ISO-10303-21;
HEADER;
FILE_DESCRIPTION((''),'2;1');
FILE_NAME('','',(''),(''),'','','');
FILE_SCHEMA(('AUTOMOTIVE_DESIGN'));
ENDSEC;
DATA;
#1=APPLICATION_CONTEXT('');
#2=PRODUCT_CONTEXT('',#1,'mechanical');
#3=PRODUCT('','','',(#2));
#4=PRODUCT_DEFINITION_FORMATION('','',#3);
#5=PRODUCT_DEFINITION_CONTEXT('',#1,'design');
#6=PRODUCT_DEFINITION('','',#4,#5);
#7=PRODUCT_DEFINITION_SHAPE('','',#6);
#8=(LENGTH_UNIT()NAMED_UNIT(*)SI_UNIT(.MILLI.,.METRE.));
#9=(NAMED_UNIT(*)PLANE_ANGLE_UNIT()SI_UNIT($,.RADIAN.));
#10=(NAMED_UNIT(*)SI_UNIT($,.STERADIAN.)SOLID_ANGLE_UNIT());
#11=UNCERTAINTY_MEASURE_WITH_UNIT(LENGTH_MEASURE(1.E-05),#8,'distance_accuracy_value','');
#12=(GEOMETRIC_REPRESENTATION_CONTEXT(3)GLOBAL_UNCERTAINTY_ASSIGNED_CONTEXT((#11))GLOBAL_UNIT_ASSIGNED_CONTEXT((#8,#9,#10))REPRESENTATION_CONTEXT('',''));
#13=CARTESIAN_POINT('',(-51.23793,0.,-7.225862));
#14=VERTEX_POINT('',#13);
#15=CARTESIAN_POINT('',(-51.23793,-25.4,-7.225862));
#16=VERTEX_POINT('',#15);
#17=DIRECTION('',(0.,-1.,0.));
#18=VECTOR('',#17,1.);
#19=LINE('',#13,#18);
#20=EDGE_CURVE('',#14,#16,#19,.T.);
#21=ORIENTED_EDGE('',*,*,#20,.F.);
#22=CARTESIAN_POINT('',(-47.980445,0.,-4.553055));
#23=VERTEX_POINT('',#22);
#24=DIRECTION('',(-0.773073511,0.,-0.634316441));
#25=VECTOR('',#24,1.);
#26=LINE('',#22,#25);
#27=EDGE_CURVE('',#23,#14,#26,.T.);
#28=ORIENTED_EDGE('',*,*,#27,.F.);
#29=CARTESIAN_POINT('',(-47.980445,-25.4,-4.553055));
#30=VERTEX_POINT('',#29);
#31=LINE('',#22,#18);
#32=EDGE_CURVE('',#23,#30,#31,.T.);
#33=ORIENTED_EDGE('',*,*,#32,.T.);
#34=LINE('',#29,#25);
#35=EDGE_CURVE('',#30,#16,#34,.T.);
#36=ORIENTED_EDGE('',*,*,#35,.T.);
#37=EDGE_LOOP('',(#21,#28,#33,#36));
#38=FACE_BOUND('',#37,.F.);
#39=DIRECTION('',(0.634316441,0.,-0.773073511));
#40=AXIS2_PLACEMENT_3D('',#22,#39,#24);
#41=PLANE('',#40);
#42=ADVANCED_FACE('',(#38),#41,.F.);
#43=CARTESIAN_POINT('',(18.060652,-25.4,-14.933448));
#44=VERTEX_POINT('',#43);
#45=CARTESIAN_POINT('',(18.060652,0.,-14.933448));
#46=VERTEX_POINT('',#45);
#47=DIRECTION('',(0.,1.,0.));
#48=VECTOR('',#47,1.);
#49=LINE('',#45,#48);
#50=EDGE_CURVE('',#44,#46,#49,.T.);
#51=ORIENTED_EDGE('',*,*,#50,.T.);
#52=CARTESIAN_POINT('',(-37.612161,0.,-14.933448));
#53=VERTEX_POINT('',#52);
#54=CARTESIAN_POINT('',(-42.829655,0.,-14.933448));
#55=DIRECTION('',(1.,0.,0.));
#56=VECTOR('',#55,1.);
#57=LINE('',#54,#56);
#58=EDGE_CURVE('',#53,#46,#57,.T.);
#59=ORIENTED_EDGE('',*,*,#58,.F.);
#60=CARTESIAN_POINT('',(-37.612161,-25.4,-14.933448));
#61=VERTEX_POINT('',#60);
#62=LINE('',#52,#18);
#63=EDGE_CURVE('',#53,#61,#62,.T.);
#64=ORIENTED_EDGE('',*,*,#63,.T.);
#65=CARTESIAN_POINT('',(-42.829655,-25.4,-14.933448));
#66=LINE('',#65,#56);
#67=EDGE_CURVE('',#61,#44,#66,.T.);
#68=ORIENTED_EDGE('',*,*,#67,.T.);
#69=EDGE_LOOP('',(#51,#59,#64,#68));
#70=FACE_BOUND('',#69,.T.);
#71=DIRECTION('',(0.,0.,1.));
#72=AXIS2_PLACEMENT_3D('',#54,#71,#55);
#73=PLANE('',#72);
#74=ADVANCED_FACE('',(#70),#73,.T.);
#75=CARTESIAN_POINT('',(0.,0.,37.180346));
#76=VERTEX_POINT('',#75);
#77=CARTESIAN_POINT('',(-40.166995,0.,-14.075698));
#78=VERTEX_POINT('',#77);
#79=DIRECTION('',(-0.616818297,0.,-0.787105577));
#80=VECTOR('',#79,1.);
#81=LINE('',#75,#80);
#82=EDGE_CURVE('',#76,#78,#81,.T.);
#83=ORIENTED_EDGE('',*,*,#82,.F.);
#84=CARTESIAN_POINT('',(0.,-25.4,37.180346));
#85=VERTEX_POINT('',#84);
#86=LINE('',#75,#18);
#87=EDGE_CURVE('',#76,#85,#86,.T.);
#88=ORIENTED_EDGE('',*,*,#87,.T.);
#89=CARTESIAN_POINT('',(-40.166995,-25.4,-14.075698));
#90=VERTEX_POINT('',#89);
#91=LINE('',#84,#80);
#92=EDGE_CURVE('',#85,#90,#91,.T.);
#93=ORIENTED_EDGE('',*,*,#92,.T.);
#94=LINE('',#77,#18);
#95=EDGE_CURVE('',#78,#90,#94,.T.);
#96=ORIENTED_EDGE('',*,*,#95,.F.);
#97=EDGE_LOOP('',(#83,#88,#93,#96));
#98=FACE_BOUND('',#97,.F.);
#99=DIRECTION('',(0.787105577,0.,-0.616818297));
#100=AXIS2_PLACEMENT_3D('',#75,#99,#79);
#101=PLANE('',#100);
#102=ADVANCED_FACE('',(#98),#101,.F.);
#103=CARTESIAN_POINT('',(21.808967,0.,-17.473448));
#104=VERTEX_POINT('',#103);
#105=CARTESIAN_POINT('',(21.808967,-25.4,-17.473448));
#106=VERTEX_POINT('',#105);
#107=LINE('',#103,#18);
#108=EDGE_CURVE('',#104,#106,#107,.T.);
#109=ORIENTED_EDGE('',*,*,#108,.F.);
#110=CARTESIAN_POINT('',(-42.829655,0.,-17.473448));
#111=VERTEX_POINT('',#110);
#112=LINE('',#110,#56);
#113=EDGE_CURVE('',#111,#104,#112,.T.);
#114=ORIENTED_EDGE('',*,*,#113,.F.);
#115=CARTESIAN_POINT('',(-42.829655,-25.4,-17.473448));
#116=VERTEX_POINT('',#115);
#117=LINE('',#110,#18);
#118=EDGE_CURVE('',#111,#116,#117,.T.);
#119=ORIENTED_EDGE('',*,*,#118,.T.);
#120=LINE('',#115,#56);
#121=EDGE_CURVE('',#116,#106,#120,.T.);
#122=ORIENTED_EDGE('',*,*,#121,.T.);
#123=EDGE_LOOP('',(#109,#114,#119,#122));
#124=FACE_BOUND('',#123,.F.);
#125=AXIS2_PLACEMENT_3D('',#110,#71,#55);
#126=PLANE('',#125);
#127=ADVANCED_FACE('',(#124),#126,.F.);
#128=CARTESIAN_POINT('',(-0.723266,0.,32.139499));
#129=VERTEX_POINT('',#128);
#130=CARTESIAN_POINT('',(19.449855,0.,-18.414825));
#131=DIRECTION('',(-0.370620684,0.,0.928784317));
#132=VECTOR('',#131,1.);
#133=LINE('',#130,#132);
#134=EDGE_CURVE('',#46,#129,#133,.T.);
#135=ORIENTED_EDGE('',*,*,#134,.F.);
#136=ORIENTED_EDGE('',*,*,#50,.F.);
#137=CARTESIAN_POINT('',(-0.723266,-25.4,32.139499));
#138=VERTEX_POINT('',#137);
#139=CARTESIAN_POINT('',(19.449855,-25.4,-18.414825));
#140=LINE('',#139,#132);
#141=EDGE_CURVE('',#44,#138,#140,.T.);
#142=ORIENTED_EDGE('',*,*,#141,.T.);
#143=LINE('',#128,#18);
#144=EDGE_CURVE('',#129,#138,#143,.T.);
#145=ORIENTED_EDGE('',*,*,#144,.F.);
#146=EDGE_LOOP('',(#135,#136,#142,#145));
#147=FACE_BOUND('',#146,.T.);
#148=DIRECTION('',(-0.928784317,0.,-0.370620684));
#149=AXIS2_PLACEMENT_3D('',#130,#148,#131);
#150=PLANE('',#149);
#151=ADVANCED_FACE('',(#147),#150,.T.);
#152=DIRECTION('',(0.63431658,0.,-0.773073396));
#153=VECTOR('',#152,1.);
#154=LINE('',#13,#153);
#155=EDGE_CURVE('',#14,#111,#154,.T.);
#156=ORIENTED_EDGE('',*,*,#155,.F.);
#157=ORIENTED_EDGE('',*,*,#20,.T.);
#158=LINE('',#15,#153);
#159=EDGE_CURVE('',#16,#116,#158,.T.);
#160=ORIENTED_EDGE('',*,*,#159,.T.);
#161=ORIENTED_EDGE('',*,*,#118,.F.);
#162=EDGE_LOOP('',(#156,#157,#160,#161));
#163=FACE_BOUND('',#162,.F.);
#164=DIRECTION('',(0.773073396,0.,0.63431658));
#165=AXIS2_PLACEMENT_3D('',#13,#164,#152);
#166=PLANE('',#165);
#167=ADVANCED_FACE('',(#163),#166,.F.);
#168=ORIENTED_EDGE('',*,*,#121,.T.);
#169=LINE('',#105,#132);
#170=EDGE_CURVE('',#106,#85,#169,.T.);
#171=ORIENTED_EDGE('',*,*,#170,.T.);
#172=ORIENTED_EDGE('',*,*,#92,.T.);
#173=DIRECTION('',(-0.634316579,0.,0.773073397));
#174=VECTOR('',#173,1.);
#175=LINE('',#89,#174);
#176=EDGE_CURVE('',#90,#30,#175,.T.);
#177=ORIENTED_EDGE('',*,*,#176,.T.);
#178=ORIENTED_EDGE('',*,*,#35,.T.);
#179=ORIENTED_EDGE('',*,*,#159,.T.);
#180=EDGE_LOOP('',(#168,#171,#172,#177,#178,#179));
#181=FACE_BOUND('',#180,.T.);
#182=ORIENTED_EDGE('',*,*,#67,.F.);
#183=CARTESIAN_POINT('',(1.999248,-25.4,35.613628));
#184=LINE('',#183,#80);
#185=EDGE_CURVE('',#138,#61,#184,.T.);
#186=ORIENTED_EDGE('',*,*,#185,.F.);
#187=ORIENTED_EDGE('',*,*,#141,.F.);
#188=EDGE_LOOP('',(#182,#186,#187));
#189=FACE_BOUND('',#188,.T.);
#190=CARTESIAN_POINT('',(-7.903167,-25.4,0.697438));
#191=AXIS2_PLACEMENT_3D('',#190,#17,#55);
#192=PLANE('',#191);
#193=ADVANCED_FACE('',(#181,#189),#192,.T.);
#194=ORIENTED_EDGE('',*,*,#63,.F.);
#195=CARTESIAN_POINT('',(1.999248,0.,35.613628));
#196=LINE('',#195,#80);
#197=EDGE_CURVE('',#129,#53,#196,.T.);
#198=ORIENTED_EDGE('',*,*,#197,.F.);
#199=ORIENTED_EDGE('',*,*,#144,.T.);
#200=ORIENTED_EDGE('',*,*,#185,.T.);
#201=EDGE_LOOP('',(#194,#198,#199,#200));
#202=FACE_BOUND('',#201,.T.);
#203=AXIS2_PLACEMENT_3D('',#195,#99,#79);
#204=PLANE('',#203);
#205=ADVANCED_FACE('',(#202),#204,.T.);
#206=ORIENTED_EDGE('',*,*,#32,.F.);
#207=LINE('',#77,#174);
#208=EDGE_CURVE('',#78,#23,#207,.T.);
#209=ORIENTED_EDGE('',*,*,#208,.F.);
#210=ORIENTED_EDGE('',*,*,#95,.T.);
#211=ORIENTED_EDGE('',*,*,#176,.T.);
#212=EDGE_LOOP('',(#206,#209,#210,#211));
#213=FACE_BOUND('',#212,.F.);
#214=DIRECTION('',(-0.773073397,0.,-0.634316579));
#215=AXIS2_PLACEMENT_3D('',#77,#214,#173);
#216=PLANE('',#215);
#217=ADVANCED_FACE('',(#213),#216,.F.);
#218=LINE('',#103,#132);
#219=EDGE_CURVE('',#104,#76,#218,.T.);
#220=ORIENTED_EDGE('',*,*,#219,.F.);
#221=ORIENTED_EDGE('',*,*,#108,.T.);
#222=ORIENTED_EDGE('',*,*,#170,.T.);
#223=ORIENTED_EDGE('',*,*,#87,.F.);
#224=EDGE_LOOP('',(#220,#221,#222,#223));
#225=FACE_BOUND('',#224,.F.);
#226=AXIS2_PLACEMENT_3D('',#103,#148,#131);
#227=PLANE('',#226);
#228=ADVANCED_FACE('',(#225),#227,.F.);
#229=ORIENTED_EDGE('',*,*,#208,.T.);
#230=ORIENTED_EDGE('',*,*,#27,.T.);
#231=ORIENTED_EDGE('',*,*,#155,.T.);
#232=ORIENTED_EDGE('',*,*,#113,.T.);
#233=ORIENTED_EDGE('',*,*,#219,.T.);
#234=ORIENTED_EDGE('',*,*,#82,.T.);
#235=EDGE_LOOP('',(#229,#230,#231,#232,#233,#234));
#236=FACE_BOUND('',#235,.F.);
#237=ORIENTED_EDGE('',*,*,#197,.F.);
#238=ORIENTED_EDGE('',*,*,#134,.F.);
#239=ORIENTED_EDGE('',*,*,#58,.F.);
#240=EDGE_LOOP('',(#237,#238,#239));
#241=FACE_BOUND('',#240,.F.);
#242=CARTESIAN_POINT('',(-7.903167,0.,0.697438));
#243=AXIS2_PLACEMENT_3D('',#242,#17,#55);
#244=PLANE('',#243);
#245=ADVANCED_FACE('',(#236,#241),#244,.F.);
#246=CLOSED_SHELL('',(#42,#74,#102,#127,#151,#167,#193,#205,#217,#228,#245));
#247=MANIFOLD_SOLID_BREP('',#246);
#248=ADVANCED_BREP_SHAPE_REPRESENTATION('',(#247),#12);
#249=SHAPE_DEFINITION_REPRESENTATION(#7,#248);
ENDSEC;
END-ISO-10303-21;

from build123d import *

# Parameters (mm, degrees)
F1_DEPTH = 25.4
F2_T     = -2.54


with BuildPart() as f1:
    # F0 (on Front) → F1 (new body)
    with BuildSketch(Plane.XZ):
        Polygon((21.808967, -17.473448), (0, 37.180346), (-40.166995, -14.075698), (-42.829655, -17.473448), align=None)
        Polygon((-42.829655, -17.473448), (-40.166995, -14.075698), (-47.980445, -4.553055), (-51.23793, -7.225862), align=None)
    extrude(amount=F1_DEPTH)

    # F2
    f2_openings = [f1.faces().sort_by_distance(p)[0] for p in [
        (-8.148417, -25.4, 0.40127),
        (-8.148417, 0, 0.40127),
    ]]
    offset(amount=F2_T, openings=f2_openings)


solid = f1.part
